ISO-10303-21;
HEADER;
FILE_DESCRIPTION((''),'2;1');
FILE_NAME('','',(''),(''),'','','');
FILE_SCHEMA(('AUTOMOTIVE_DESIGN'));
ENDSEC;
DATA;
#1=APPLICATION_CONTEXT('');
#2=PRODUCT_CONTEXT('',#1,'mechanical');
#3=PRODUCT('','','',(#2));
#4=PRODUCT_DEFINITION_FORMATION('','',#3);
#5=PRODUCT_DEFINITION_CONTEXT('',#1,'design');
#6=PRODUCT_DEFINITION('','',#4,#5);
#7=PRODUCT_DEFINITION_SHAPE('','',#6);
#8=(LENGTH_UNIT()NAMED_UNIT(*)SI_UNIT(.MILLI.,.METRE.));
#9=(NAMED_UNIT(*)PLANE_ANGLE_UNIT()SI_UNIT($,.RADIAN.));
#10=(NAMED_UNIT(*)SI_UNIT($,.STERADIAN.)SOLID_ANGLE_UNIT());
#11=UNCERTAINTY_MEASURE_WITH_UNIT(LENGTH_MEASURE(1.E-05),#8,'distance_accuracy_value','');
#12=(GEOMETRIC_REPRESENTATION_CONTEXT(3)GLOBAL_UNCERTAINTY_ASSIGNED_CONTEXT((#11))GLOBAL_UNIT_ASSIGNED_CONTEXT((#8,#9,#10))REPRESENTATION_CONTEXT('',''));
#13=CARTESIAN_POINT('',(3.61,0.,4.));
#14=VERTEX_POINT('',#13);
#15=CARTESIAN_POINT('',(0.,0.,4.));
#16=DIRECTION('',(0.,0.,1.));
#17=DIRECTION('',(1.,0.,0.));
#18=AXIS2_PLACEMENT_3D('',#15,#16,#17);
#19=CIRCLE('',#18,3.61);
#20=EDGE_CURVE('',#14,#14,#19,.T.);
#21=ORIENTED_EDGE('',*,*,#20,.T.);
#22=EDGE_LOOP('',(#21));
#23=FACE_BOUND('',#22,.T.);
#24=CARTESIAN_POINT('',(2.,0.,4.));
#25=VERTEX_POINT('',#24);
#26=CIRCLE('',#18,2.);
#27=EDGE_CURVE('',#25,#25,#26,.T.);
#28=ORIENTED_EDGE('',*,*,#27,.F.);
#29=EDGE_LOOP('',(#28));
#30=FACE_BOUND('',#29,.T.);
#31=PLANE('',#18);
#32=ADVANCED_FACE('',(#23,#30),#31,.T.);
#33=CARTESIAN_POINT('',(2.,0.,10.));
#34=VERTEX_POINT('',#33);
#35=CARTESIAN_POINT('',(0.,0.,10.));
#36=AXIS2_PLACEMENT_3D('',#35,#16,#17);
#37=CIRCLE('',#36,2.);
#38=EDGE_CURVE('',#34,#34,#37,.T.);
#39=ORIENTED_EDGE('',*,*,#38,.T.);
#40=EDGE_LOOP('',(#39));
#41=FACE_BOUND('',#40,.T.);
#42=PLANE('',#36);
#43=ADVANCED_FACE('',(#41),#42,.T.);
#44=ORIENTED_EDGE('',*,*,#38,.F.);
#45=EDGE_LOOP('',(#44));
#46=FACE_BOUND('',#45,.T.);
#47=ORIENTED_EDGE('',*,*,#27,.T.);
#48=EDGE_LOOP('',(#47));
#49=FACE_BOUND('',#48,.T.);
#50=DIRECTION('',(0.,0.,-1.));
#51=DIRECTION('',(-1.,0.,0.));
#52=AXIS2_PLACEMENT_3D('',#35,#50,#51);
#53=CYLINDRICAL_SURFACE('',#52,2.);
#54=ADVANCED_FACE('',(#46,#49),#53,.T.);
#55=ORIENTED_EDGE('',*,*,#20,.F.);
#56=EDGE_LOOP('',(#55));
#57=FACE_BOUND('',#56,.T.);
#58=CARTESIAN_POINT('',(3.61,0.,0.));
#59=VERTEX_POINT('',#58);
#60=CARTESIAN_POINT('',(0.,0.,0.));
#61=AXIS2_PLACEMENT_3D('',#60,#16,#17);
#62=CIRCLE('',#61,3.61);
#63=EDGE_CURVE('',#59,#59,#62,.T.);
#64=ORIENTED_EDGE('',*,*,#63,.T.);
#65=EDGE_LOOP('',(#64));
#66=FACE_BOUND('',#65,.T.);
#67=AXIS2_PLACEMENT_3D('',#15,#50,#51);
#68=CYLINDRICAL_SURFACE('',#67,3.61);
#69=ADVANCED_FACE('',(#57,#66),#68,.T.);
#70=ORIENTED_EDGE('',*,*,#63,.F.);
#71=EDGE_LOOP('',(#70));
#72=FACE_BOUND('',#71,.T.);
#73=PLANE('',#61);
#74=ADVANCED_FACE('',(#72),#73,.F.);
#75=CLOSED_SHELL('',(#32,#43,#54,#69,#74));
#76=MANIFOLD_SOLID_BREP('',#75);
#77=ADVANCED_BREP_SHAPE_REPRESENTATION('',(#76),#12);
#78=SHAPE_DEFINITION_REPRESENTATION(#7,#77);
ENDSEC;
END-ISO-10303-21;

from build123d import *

# Parameters (mm, degrees)
SKETCH1_R           = 3.61
BOSS_EXTRUDE1_DEPTH = 4
SKETCH2_R           = 2
BOSS_EXTRUDE2_DEPTH = 6


with BuildPart() as part:
    # Sketch1 → Boss-Extrude1 (new body)
    with BuildSketch(Plane.XY):
        Circle(SKETCH1_R)
    extrude(amount=BOSS_EXTRUDE1_DEPTH)

    # Sketch2 → Boss-Extrude2 (add)
    with BuildSketch(Plane.XY.offset(4)):
        Circle(SKETCH2_R)
    extrude(amount=BOSS_EXTRUDE2_DEPTH)


solid = part.part
